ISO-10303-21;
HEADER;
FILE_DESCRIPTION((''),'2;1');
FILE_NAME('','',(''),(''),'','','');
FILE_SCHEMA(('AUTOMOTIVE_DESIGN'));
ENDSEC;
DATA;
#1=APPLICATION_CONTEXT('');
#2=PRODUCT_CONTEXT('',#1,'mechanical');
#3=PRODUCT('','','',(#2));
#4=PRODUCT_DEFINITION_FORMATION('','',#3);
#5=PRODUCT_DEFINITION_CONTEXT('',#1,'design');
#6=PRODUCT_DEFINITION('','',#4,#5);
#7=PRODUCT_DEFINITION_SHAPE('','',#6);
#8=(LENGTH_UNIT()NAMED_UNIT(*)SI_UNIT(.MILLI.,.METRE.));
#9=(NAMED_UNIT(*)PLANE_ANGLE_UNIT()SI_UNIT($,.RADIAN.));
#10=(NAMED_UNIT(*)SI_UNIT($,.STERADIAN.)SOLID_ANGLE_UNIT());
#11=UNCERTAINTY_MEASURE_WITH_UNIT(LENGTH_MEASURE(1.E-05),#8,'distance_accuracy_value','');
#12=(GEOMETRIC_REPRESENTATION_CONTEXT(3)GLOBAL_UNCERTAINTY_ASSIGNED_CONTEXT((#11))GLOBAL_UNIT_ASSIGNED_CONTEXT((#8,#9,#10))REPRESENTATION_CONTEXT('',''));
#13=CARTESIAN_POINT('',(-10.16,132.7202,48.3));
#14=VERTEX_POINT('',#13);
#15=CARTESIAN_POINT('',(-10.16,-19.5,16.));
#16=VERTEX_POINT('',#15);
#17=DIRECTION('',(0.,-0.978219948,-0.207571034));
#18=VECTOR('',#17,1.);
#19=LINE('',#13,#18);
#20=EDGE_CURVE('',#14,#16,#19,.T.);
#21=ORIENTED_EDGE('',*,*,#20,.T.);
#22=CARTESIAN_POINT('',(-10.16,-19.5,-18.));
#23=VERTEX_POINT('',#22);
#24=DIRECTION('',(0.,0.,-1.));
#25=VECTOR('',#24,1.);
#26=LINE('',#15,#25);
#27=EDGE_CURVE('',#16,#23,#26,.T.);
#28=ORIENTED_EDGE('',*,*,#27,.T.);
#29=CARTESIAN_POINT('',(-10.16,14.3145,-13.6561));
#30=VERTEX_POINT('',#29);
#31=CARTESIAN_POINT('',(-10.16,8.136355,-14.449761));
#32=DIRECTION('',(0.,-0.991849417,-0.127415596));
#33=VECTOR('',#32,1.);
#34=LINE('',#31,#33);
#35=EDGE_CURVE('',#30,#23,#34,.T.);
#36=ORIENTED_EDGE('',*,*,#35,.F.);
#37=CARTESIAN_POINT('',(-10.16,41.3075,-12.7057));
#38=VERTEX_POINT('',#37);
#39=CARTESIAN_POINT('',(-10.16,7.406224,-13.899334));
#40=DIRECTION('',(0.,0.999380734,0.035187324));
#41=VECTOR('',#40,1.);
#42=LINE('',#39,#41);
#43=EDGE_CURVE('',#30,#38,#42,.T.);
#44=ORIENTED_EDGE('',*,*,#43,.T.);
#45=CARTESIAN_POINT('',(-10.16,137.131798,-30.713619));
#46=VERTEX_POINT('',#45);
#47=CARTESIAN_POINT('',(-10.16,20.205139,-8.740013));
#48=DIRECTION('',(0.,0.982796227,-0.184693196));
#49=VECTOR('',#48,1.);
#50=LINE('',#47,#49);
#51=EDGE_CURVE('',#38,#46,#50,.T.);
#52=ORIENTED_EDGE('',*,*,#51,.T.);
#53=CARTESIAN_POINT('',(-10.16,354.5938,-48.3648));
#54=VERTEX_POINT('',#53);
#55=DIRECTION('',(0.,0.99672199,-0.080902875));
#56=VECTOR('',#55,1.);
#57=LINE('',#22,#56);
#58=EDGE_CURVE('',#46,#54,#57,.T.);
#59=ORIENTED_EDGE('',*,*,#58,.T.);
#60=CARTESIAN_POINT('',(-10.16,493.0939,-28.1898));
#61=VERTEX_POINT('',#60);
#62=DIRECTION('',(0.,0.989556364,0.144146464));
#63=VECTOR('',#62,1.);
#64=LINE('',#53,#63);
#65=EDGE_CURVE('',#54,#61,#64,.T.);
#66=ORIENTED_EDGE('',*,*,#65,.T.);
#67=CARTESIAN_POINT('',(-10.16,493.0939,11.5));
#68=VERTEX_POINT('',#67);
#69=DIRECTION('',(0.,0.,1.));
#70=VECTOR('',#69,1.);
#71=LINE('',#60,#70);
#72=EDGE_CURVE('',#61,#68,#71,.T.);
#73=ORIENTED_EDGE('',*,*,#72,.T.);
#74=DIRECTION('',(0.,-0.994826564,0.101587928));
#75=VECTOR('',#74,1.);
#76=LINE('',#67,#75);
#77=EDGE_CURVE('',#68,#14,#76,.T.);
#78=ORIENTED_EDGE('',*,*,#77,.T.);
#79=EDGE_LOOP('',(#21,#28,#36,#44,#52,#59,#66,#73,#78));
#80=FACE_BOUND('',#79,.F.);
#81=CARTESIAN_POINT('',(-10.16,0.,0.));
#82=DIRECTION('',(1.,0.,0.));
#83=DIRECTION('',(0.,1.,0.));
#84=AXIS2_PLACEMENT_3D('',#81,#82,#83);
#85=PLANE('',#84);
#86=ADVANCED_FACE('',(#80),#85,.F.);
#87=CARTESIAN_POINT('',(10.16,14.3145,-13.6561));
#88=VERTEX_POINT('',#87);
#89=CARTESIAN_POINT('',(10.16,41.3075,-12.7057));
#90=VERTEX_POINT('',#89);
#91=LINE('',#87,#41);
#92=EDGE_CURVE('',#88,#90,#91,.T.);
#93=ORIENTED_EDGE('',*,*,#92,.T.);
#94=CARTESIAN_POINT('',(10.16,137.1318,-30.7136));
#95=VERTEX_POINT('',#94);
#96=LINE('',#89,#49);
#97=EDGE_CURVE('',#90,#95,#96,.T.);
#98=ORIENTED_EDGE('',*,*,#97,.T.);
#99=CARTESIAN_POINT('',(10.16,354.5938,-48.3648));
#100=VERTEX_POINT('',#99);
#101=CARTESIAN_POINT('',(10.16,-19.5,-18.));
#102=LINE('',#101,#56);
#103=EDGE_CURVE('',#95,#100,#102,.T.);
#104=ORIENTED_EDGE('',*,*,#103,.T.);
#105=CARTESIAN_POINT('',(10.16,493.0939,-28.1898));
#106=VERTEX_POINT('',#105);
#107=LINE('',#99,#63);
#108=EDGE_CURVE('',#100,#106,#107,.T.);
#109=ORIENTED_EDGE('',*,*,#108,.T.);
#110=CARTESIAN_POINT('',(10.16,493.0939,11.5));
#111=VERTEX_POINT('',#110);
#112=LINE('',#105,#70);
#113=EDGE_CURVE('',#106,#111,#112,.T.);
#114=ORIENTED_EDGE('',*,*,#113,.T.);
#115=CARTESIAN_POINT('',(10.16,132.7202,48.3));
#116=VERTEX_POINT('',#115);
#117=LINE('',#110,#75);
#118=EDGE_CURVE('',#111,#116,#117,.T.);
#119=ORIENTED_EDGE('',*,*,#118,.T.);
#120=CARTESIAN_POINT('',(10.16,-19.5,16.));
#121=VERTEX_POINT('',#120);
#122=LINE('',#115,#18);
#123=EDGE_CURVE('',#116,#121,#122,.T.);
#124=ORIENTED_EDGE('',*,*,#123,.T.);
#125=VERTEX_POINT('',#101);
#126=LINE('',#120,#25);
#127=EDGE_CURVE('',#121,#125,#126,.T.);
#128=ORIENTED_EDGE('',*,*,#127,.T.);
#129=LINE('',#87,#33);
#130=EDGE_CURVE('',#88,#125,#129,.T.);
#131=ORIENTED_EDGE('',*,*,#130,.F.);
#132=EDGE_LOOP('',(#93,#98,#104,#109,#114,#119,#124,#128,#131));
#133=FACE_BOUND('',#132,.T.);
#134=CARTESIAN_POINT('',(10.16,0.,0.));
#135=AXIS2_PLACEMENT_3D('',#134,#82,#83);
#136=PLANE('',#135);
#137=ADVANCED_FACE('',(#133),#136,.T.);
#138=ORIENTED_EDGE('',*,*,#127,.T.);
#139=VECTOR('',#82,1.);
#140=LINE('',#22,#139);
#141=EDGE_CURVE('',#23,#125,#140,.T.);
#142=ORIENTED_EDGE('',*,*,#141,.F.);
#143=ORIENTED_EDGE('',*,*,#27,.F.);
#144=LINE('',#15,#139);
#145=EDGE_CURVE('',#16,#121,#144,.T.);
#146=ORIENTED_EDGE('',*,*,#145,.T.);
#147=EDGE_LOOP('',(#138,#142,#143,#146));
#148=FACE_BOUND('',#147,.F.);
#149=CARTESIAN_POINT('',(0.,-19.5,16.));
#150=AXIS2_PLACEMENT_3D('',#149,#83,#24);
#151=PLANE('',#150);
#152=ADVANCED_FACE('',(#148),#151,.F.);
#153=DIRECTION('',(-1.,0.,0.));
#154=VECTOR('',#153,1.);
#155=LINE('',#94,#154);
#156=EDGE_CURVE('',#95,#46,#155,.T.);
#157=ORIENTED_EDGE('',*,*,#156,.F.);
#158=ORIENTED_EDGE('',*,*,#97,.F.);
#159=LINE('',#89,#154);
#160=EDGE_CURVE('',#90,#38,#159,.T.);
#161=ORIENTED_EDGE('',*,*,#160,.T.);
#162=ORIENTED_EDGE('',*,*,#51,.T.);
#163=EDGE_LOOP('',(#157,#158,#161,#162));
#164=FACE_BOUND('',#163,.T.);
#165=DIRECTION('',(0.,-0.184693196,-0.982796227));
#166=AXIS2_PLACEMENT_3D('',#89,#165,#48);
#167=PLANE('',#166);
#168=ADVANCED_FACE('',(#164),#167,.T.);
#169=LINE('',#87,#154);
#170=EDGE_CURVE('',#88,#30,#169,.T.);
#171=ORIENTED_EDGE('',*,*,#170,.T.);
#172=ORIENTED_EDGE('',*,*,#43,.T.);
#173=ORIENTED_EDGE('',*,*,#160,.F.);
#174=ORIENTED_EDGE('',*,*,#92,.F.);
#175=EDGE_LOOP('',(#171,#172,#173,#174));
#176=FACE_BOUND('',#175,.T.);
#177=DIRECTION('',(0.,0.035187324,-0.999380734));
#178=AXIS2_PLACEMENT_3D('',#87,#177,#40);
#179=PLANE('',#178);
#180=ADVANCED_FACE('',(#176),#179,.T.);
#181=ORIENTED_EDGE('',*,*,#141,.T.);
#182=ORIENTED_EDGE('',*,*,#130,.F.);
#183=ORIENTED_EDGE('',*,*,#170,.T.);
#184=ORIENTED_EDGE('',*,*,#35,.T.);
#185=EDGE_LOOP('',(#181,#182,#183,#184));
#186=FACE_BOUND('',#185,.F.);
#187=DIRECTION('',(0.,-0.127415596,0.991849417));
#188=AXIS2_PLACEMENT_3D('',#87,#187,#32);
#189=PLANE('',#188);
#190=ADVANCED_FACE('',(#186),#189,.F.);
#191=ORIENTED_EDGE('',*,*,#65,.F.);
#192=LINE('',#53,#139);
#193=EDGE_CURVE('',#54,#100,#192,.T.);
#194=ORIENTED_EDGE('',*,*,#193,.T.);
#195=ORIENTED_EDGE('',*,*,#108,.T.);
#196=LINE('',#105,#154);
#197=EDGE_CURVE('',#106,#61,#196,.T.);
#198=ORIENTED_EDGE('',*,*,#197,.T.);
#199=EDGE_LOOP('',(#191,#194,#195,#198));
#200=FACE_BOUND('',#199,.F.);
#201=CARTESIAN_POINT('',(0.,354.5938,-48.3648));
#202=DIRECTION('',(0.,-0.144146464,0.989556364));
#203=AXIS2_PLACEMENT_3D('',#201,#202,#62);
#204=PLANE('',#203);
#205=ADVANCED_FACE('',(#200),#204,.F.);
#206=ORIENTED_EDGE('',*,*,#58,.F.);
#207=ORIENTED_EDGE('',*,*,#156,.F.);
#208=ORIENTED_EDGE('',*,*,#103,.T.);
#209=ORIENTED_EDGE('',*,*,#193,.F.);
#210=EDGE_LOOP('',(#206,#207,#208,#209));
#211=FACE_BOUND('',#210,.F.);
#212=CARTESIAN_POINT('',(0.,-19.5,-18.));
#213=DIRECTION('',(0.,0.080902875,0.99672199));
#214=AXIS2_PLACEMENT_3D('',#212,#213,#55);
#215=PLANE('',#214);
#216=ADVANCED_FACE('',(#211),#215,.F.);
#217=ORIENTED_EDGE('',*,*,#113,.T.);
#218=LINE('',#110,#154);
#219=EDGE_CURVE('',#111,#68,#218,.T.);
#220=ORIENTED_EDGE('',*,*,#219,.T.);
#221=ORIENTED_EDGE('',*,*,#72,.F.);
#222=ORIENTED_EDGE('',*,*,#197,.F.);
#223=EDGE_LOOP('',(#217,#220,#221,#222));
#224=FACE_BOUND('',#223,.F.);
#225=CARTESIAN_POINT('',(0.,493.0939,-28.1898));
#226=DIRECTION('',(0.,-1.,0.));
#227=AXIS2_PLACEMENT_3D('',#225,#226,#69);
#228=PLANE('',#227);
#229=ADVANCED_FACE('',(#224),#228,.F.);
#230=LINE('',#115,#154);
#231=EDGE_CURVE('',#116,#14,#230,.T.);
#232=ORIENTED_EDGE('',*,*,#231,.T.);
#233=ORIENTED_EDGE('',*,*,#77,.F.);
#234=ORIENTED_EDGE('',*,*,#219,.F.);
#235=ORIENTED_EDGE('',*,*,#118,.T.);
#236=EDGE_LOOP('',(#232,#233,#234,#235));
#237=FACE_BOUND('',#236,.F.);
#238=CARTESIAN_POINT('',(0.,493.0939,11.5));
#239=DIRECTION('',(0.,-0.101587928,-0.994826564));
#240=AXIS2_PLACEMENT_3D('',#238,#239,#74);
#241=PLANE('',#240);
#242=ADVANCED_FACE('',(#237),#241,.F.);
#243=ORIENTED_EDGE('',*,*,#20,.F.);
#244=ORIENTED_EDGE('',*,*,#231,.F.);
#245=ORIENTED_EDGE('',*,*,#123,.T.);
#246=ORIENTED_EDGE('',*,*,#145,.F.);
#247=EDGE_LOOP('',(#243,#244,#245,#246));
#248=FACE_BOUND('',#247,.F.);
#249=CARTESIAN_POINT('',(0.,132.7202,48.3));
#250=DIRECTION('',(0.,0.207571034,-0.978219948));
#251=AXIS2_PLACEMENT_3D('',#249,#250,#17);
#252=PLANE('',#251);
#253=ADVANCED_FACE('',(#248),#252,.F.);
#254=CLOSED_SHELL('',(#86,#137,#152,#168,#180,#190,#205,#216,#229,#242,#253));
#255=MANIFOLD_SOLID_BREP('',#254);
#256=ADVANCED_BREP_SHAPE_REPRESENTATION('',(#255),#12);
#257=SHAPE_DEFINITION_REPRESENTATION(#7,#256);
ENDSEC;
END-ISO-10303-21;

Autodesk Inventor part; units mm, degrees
ref_plane "XZ Plane" through (0, 0, 0) normal (0, 1, 0) x (-1, 0, 0)
sketch "BoundingBox" plane through (0, 0, 0) normal (1, 0, 0) x (0, 1, 0)
  line L0 (-19.5, 16) -> (-19.5, -18)
  line L1 (-19.5, -18) -> (354.5938, -48.3648)
  line L2 (354.5938, -48.3648) -> (493.0939, -28.1898)
  line L3 (493.0939, -28.1898) -> (493.0939, 11.5)
  line L4 (493.0939, 11.5) -> (132.7202, 48.3)
  line L5 (132.7202, 48.3) -> (-19.5, 16)
  circle A0 centre (354.5938, -31.3648) radius 3.175 construction
  line L6 (354.5938, -48.3648) -> (354.5938, -31.3648) construction
  point P0 (0, 0)
  point P1 (0, 0)
  point P2 (480.5939, 0)
  point P3 (0, 0)
  point P4 (480.5939, 0)
  point P5 (60.5718, 4.3926)
  point P6 (60.5718, 4.3926)
  dimension "d0" = 19.5
  dimension "d1" = 101.98
  dimension "d2" = 18
  dimension "d3" = 16
  dimension "d4" = 12.5
  dimension "d5" = 11.5
  dimension "d6" = 48.3
  dimension "d7" = 39.6898
  dimension "d8" = 17
  dimension "d11" = 480.5939
extrude "BoundingBoxFeature" add sketch "BoundingBox" along normal mid plane 20.32
sketch "Sketch2" plane through (10.16, 0, 0) normal (1, 0, 0) x (0, 0, -1)
  line L0 (18, -19.5) -> (48.3648, 354.5938) projected
  line L1 (48.3648, 354.5938) -> (28.1898, 493.0939) projected
  line L2 (28.1898, 493.0939) -> (-11.5, 493.0939) projected
  line L3 (-11.5, 493.0939) -> (-48.3, 132.7202) projected
  line L4 (-48.3, 132.7202) -> (-16, -19.5) projected
  line L5 (-16, -19.5) -> (18, -19.5) projected
  arc A0 (-14.9278, 11.8349) -> (11.9767, 14.8142) centre (0, 0) ccw construction
  spline S0 degree 3 poles (12.7057, 41.3075) (12.6414, 56.2569) (13.3397, 71.2032) (14.7987, 86.0881) knots -4.923013 -4.923013 -4.923013 -4.923013 -0.435331 -0.435331 -0.435331 -0.435331 construction
  arc A1 (12.7313, 39.6054) -> (13.6561, 14.3145) centre (450.618, 42.9547) ccw construction
  line L6 (13.6561, 14.3145) -> (18, -19.5)
  line L7 (13.6561, 14.3145) -> (12.7057, 41.3075)
  line L8 (12.7057, 41.3075) -> (30.7136, 137.1318)
  line L9 (30.7136, 137.1318) -> (18, -19.5)
  point P0 (0, 0)
extrude "Extrusion2" cut sketch "Sketch2" along normal through all both and the other way through all contours L6 L7 L8 L0
properties part number "ForearmBoundingBOx"
